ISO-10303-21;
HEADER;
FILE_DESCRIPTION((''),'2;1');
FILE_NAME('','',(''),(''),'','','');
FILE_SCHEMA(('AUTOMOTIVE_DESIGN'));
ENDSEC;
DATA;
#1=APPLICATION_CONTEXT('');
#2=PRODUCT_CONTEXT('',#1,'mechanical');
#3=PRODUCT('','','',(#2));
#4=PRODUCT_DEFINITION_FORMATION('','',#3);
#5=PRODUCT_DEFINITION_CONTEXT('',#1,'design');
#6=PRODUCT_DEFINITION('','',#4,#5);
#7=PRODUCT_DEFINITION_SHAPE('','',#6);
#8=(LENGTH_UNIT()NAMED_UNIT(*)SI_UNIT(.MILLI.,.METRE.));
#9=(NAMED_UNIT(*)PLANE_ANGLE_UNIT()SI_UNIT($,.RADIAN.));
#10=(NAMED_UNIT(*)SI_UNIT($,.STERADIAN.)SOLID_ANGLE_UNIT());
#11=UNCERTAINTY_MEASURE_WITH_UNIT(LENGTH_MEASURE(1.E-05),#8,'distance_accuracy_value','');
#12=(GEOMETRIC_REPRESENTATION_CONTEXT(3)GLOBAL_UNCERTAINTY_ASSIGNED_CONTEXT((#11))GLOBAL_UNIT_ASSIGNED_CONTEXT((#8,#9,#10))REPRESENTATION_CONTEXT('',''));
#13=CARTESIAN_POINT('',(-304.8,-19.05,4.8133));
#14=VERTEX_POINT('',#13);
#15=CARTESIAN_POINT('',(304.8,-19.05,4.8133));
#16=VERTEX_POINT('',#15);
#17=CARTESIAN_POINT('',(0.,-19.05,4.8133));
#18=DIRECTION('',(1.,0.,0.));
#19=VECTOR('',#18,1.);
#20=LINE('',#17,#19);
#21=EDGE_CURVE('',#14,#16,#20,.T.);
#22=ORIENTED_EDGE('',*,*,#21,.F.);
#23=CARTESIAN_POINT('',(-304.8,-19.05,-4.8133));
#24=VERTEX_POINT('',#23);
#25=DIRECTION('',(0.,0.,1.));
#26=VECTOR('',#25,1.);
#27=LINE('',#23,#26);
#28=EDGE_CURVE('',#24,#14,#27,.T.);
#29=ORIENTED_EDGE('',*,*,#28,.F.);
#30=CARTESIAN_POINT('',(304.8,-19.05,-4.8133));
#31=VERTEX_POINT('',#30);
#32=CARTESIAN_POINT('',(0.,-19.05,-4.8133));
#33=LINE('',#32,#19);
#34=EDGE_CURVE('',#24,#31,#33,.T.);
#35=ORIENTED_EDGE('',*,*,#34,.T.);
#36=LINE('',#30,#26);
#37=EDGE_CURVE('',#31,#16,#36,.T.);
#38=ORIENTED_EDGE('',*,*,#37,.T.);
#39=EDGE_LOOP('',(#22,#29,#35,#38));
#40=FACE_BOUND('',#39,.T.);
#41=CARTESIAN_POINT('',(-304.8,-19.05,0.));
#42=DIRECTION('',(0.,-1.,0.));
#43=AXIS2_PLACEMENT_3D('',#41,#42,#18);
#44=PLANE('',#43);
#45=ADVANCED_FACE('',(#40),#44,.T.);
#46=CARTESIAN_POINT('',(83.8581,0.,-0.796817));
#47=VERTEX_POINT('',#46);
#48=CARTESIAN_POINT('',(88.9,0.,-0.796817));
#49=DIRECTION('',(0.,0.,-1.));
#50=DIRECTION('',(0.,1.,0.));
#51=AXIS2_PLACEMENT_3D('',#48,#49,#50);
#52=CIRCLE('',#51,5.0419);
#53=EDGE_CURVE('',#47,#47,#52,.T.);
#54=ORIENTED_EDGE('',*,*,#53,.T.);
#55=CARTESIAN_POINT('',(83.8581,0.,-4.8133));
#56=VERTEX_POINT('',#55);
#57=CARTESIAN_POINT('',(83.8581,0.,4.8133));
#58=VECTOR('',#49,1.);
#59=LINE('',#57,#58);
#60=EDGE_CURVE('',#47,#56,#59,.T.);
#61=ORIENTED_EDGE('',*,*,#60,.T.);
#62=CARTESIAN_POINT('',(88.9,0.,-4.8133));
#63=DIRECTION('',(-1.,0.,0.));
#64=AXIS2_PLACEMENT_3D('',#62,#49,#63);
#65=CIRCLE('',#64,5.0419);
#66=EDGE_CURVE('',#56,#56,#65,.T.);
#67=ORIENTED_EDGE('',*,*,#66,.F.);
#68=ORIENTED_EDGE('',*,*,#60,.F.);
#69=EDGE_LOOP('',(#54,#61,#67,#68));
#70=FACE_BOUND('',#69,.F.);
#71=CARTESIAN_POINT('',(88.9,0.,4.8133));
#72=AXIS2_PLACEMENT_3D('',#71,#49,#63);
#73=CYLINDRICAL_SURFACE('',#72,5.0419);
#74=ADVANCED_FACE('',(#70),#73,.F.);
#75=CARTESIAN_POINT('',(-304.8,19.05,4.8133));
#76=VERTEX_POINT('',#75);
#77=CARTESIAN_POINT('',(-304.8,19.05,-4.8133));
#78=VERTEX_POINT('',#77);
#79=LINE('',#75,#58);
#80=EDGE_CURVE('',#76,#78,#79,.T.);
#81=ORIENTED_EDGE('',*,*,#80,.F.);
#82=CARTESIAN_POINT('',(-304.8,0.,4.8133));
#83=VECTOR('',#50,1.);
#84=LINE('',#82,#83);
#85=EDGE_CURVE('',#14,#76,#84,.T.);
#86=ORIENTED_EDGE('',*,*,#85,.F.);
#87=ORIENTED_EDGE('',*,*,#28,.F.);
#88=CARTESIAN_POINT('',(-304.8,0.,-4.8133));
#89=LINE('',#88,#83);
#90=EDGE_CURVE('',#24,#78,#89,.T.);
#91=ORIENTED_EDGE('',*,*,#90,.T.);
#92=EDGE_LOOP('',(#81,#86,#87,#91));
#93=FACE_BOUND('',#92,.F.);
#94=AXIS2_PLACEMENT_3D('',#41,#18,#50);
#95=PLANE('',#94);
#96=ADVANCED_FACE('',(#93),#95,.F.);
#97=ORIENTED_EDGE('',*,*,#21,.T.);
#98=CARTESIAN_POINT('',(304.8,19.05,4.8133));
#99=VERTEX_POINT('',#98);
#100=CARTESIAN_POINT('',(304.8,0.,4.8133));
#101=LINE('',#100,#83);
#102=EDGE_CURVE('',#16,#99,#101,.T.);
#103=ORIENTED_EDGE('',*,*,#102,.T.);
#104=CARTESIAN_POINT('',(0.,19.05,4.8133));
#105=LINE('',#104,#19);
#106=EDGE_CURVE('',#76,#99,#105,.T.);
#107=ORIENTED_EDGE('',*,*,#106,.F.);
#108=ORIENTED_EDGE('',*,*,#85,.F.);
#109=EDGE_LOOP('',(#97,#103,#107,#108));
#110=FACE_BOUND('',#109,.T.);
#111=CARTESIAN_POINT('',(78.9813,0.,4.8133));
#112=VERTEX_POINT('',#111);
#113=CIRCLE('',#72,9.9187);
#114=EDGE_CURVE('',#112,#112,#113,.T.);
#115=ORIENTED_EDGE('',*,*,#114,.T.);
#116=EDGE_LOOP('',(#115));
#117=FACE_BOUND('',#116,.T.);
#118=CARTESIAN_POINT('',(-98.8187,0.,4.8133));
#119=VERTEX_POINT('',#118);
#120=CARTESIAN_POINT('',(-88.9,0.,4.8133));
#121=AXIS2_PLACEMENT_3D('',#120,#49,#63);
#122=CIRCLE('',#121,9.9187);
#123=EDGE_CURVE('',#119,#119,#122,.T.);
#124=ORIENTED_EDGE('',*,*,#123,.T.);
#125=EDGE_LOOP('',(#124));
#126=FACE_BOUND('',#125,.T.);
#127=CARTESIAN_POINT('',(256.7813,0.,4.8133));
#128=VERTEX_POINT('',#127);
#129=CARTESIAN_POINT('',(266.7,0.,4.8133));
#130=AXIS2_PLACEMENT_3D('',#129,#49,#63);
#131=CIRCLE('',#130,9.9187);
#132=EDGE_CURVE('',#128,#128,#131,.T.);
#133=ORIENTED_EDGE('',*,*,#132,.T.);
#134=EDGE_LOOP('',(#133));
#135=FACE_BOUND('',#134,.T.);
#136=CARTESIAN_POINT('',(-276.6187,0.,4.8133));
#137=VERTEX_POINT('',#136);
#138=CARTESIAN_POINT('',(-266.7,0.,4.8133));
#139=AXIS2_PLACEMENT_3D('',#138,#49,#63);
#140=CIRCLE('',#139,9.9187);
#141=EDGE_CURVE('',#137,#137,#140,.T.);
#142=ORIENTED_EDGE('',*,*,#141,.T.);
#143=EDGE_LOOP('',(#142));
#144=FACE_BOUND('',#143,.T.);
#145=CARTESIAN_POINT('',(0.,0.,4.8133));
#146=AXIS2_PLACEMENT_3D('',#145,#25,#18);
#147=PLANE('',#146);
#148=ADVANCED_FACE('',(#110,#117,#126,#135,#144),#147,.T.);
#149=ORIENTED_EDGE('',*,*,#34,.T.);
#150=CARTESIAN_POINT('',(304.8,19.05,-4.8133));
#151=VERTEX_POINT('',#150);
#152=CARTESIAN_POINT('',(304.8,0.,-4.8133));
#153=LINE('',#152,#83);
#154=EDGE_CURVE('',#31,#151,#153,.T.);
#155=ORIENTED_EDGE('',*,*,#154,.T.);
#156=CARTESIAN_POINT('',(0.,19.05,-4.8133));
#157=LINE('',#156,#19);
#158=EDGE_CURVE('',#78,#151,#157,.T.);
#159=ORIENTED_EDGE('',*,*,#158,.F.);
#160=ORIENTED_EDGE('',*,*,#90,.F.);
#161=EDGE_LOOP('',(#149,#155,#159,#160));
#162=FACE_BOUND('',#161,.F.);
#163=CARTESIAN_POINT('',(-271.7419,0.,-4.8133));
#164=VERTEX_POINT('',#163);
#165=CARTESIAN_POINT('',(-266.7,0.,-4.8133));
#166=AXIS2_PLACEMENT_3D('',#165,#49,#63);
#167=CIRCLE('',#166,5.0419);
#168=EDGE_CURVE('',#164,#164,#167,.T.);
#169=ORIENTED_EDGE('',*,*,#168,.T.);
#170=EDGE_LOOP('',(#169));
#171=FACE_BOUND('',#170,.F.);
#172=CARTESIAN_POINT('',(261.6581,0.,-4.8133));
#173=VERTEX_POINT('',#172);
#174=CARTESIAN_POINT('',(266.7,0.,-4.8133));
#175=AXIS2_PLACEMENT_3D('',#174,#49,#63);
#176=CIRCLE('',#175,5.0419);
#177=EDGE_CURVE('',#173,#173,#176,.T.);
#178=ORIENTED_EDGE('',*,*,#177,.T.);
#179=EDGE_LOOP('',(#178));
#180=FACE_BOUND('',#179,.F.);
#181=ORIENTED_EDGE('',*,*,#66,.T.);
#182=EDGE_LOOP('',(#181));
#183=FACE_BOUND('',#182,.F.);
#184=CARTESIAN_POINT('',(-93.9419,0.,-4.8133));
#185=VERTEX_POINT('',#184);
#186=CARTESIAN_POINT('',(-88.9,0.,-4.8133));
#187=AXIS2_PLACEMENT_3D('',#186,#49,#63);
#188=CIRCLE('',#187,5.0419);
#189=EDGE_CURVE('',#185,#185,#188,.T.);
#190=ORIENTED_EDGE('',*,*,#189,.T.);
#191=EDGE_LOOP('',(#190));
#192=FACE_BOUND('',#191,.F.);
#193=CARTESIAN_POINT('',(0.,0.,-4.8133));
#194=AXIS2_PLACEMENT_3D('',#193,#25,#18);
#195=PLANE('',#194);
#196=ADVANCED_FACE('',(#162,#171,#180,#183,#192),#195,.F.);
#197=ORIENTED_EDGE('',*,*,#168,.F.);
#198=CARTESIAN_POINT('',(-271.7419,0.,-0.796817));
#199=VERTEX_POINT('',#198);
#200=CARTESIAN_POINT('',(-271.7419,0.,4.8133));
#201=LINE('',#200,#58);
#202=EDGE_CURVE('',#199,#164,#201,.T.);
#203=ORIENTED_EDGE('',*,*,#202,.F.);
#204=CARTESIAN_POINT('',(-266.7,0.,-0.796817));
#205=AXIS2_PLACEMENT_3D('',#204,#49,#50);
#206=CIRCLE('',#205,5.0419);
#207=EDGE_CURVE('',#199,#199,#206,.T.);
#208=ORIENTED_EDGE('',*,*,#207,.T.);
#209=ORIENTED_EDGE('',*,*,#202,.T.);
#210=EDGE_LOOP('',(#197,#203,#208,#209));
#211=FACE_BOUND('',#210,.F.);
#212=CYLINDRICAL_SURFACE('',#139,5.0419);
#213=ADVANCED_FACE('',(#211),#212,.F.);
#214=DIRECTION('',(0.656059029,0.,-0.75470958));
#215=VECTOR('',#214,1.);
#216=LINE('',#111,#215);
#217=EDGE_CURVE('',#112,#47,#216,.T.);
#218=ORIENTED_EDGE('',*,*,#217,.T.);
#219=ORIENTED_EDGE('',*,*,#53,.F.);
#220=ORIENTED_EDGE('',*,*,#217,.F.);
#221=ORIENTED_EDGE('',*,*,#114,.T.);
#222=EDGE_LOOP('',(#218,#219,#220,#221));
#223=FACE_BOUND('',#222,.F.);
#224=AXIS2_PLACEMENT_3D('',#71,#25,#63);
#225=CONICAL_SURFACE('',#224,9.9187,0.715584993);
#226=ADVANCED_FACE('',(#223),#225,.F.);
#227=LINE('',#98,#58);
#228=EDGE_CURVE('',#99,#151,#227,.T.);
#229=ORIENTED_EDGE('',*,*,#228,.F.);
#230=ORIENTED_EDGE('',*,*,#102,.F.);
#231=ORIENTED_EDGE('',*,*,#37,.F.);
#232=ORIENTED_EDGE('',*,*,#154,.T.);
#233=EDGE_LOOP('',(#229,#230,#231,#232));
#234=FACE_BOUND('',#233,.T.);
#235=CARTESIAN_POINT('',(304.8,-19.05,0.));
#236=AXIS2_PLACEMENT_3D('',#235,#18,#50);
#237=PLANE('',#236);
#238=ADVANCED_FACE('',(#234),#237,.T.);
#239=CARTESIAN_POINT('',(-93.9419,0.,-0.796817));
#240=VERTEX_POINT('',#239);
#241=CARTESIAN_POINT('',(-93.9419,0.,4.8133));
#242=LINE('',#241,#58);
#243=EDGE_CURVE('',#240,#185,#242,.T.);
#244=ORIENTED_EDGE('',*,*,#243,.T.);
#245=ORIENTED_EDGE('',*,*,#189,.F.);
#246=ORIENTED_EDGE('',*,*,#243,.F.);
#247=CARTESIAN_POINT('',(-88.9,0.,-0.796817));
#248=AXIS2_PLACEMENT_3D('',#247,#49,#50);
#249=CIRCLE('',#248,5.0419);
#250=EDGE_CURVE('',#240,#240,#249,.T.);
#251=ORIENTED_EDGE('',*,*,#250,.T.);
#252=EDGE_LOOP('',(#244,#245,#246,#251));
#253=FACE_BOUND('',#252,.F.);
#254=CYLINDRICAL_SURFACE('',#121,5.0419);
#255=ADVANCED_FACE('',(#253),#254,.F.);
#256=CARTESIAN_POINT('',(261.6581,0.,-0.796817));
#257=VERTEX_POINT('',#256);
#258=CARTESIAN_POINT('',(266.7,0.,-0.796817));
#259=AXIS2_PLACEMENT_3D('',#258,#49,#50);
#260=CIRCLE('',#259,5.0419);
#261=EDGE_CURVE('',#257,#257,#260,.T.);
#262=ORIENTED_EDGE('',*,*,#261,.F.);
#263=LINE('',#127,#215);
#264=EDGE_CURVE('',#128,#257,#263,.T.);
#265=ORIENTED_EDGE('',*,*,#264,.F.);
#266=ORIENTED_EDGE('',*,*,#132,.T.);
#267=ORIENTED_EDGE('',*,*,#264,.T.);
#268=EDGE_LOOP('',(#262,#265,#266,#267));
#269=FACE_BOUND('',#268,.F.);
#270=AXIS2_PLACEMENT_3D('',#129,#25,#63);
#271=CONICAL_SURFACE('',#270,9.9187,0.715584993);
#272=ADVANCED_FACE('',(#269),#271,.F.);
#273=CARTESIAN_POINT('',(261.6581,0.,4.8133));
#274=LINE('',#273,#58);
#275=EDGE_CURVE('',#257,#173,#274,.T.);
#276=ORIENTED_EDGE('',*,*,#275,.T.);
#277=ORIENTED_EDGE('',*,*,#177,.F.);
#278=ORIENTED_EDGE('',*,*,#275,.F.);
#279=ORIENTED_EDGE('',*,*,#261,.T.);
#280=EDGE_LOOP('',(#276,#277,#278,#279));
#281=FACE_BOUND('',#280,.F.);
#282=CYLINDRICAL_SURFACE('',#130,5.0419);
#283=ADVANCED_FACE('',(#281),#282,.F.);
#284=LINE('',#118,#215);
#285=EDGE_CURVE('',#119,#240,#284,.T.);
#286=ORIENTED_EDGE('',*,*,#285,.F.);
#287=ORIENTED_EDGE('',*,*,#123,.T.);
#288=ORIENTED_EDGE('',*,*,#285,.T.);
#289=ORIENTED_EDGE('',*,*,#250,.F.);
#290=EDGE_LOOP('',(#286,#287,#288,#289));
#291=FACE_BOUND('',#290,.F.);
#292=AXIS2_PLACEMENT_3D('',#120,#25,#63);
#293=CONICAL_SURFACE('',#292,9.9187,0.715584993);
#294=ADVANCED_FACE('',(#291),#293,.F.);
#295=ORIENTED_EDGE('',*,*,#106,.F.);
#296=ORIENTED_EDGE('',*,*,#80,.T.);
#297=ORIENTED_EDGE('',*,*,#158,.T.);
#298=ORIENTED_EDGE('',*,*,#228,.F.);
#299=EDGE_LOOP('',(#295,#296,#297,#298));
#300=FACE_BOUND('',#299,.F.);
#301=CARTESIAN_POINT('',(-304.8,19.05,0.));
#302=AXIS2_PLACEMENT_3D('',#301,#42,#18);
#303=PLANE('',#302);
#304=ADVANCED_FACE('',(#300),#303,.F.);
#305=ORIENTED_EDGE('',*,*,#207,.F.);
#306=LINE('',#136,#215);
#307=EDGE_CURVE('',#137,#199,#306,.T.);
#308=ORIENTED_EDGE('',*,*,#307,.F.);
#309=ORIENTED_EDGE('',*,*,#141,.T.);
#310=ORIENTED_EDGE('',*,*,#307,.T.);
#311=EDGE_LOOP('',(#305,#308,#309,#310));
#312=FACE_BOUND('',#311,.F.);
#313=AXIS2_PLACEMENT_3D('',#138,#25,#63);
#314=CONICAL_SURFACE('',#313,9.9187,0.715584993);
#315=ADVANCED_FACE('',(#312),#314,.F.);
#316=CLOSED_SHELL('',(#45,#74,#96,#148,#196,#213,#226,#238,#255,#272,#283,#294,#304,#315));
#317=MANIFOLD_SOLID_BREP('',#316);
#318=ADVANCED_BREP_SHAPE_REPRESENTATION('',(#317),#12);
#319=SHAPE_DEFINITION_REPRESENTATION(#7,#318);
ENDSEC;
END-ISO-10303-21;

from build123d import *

# Parameters (mm, degrees)
F0_W           = 609.6
F0_H           = 38.1
F1_DEPTH       = 4.8133
F3_D           = 10.0838
F3_CSINK_D     = 19.8374
F3_CSINK_ANGLE = 82


with BuildPart() as f1:
    # F0 (on Top) → F1 (new body, symmetric)
    with BuildSketch(Plane.XY):
        Rectangle(F0_W, F0_H)
    extrude(amount=F1_DEPTH, both=True)

    # F3 (through all)
    with Locations(Plane.XY.offset(4.8133)):
        with Locations((-266.7, 0), (-88.9, 0), (88.9, 0), (266.7, 0)):
            CounterSinkHole(F3_D / 2, F3_CSINK_D / 2, counter_sink_angle=F3_CSINK_ANGLE)


solid = f1.part
